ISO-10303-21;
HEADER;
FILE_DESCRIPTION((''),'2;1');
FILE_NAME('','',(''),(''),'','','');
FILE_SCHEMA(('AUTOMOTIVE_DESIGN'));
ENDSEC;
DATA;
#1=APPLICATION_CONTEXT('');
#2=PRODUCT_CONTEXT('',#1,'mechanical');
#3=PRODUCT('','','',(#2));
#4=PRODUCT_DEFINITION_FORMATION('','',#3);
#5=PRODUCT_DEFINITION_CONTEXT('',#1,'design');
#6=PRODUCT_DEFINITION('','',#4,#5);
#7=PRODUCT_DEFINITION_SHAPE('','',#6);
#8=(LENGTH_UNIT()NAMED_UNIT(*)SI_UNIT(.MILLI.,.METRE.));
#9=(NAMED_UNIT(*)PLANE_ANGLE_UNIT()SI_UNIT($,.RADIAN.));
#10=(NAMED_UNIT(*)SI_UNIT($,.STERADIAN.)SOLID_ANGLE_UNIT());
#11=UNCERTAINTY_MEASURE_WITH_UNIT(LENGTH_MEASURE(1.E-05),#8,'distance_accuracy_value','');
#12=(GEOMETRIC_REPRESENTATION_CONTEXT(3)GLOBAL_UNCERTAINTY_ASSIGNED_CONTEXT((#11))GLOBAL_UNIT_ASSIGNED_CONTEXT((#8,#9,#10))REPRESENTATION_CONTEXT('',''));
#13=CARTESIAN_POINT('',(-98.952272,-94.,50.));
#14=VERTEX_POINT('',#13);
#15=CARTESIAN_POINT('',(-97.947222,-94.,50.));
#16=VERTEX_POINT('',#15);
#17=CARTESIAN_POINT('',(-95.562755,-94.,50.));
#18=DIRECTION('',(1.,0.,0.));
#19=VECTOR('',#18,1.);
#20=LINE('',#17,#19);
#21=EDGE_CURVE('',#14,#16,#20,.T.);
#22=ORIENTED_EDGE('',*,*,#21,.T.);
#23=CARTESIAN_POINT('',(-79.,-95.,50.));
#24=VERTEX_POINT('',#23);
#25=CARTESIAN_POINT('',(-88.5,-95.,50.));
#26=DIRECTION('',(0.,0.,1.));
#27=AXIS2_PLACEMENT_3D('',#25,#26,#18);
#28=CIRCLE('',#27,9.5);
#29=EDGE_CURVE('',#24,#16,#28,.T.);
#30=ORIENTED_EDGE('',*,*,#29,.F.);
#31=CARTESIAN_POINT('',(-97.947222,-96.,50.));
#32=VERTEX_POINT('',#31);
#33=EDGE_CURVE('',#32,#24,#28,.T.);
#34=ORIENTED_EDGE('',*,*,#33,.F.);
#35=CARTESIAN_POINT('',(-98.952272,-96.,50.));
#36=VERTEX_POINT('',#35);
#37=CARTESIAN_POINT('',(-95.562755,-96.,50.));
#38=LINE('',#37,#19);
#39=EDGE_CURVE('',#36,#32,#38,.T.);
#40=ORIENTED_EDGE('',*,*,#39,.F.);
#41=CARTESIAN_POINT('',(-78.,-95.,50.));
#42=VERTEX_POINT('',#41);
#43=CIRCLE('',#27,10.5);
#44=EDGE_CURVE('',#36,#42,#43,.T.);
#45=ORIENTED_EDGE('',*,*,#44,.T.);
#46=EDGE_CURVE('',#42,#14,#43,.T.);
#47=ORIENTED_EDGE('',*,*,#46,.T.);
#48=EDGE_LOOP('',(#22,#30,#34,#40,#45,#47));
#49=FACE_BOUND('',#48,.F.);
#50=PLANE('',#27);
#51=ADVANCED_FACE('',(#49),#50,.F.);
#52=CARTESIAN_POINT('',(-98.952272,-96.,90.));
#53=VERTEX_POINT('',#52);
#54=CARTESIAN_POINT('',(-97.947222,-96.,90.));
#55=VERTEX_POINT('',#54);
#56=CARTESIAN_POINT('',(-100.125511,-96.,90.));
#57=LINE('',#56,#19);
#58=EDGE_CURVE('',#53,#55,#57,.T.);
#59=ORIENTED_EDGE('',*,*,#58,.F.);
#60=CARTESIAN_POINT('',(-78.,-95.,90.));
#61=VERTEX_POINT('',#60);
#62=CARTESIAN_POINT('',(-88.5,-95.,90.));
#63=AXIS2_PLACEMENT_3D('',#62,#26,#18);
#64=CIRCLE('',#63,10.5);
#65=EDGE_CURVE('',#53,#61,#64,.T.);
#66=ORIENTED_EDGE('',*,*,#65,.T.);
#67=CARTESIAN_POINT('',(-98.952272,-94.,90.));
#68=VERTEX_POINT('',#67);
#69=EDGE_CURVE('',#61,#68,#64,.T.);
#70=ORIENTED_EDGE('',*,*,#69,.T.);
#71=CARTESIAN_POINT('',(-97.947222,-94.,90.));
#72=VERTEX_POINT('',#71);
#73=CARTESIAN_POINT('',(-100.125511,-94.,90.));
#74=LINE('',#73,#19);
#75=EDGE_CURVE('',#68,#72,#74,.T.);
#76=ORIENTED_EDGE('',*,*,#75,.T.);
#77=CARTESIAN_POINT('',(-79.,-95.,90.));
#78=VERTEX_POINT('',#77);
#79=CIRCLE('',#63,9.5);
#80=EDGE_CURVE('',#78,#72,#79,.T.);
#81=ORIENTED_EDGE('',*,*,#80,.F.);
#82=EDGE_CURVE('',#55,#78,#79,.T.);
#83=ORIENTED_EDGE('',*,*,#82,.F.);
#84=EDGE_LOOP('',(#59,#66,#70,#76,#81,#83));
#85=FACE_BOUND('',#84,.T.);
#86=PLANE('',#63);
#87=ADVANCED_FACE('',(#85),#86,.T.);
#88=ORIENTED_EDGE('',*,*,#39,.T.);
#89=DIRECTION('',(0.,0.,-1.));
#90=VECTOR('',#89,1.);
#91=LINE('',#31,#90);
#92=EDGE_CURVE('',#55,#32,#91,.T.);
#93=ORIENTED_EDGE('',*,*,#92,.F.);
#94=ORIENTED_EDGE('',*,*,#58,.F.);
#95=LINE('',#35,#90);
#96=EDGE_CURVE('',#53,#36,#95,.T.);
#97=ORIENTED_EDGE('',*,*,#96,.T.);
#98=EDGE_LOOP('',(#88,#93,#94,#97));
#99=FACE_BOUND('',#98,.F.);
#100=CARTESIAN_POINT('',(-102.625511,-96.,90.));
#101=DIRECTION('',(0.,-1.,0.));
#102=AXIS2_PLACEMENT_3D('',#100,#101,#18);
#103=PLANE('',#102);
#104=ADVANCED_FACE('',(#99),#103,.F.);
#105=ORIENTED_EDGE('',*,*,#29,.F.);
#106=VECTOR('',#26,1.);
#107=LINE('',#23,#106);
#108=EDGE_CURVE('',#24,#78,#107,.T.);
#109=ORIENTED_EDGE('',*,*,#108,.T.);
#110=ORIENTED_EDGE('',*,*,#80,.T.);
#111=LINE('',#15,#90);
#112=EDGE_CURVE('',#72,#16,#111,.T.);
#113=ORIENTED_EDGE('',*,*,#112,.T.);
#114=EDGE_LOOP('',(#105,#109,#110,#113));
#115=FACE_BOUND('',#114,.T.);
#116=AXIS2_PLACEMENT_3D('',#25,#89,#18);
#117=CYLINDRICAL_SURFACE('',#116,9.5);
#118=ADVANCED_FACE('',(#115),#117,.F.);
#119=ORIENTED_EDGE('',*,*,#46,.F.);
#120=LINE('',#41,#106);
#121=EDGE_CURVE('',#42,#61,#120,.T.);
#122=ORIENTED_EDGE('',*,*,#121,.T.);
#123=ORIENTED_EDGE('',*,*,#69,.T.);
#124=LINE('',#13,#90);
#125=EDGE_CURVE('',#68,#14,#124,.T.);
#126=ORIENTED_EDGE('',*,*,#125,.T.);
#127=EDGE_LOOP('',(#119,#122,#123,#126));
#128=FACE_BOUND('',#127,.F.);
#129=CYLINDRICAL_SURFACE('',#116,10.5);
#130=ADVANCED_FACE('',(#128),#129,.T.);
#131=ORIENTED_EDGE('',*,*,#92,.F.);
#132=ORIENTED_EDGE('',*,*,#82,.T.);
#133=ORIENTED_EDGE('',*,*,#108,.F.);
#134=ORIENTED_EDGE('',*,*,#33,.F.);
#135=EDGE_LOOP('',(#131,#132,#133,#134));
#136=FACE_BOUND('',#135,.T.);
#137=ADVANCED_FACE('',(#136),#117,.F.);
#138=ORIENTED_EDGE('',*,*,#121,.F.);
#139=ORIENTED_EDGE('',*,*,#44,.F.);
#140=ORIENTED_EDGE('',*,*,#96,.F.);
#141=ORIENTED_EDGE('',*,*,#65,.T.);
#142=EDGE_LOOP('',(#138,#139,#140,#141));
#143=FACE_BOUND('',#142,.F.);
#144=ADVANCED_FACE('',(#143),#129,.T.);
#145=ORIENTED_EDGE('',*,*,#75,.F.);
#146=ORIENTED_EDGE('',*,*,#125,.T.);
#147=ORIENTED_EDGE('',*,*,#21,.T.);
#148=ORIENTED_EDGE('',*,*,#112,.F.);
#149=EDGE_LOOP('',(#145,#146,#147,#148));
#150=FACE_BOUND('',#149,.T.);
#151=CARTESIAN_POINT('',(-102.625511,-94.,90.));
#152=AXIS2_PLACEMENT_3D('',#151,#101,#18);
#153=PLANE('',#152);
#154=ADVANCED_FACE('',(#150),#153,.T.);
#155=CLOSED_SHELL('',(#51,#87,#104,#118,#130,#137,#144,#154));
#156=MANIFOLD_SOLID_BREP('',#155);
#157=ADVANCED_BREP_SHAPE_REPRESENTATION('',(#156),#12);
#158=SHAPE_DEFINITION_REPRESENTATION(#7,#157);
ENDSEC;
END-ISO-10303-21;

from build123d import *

# Parameters (mm, degrees)
F0_R     = 10.5
F0_R_2   = 9.5
F1_DEPTH = 40
F2_W     = 5
F2_H     = 2
F3_DEPTH = 40.001


with BuildPart() as f1:
    # F0 (on Top) → F1 (new body)
    with BuildSketch(Plane.XY):
        with Locations((-88.5, -95)):
            Circle(F0_R)
        with Locations((-88.5, -95)):
            Circle(F0_R_2, mode=Mode.SUBTRACT)
    extrude(amount=F1_DEPTH)

    # F2 (on face) → F3 (cut, through all)
    with BuildSketch(Plane.XY.offset(40)):
        with Locations((-100.125511, -95)):
            Rectangle(F2_W, F2_H)
    extrude(amount=-F3_DEPTH, mode=Mode.SUBTRACT)


with BuildPart() as f1_1:
    # F4: moved
    add(f1.part.moved(Location((0, 0, 50))))


solid = f1_1.part
